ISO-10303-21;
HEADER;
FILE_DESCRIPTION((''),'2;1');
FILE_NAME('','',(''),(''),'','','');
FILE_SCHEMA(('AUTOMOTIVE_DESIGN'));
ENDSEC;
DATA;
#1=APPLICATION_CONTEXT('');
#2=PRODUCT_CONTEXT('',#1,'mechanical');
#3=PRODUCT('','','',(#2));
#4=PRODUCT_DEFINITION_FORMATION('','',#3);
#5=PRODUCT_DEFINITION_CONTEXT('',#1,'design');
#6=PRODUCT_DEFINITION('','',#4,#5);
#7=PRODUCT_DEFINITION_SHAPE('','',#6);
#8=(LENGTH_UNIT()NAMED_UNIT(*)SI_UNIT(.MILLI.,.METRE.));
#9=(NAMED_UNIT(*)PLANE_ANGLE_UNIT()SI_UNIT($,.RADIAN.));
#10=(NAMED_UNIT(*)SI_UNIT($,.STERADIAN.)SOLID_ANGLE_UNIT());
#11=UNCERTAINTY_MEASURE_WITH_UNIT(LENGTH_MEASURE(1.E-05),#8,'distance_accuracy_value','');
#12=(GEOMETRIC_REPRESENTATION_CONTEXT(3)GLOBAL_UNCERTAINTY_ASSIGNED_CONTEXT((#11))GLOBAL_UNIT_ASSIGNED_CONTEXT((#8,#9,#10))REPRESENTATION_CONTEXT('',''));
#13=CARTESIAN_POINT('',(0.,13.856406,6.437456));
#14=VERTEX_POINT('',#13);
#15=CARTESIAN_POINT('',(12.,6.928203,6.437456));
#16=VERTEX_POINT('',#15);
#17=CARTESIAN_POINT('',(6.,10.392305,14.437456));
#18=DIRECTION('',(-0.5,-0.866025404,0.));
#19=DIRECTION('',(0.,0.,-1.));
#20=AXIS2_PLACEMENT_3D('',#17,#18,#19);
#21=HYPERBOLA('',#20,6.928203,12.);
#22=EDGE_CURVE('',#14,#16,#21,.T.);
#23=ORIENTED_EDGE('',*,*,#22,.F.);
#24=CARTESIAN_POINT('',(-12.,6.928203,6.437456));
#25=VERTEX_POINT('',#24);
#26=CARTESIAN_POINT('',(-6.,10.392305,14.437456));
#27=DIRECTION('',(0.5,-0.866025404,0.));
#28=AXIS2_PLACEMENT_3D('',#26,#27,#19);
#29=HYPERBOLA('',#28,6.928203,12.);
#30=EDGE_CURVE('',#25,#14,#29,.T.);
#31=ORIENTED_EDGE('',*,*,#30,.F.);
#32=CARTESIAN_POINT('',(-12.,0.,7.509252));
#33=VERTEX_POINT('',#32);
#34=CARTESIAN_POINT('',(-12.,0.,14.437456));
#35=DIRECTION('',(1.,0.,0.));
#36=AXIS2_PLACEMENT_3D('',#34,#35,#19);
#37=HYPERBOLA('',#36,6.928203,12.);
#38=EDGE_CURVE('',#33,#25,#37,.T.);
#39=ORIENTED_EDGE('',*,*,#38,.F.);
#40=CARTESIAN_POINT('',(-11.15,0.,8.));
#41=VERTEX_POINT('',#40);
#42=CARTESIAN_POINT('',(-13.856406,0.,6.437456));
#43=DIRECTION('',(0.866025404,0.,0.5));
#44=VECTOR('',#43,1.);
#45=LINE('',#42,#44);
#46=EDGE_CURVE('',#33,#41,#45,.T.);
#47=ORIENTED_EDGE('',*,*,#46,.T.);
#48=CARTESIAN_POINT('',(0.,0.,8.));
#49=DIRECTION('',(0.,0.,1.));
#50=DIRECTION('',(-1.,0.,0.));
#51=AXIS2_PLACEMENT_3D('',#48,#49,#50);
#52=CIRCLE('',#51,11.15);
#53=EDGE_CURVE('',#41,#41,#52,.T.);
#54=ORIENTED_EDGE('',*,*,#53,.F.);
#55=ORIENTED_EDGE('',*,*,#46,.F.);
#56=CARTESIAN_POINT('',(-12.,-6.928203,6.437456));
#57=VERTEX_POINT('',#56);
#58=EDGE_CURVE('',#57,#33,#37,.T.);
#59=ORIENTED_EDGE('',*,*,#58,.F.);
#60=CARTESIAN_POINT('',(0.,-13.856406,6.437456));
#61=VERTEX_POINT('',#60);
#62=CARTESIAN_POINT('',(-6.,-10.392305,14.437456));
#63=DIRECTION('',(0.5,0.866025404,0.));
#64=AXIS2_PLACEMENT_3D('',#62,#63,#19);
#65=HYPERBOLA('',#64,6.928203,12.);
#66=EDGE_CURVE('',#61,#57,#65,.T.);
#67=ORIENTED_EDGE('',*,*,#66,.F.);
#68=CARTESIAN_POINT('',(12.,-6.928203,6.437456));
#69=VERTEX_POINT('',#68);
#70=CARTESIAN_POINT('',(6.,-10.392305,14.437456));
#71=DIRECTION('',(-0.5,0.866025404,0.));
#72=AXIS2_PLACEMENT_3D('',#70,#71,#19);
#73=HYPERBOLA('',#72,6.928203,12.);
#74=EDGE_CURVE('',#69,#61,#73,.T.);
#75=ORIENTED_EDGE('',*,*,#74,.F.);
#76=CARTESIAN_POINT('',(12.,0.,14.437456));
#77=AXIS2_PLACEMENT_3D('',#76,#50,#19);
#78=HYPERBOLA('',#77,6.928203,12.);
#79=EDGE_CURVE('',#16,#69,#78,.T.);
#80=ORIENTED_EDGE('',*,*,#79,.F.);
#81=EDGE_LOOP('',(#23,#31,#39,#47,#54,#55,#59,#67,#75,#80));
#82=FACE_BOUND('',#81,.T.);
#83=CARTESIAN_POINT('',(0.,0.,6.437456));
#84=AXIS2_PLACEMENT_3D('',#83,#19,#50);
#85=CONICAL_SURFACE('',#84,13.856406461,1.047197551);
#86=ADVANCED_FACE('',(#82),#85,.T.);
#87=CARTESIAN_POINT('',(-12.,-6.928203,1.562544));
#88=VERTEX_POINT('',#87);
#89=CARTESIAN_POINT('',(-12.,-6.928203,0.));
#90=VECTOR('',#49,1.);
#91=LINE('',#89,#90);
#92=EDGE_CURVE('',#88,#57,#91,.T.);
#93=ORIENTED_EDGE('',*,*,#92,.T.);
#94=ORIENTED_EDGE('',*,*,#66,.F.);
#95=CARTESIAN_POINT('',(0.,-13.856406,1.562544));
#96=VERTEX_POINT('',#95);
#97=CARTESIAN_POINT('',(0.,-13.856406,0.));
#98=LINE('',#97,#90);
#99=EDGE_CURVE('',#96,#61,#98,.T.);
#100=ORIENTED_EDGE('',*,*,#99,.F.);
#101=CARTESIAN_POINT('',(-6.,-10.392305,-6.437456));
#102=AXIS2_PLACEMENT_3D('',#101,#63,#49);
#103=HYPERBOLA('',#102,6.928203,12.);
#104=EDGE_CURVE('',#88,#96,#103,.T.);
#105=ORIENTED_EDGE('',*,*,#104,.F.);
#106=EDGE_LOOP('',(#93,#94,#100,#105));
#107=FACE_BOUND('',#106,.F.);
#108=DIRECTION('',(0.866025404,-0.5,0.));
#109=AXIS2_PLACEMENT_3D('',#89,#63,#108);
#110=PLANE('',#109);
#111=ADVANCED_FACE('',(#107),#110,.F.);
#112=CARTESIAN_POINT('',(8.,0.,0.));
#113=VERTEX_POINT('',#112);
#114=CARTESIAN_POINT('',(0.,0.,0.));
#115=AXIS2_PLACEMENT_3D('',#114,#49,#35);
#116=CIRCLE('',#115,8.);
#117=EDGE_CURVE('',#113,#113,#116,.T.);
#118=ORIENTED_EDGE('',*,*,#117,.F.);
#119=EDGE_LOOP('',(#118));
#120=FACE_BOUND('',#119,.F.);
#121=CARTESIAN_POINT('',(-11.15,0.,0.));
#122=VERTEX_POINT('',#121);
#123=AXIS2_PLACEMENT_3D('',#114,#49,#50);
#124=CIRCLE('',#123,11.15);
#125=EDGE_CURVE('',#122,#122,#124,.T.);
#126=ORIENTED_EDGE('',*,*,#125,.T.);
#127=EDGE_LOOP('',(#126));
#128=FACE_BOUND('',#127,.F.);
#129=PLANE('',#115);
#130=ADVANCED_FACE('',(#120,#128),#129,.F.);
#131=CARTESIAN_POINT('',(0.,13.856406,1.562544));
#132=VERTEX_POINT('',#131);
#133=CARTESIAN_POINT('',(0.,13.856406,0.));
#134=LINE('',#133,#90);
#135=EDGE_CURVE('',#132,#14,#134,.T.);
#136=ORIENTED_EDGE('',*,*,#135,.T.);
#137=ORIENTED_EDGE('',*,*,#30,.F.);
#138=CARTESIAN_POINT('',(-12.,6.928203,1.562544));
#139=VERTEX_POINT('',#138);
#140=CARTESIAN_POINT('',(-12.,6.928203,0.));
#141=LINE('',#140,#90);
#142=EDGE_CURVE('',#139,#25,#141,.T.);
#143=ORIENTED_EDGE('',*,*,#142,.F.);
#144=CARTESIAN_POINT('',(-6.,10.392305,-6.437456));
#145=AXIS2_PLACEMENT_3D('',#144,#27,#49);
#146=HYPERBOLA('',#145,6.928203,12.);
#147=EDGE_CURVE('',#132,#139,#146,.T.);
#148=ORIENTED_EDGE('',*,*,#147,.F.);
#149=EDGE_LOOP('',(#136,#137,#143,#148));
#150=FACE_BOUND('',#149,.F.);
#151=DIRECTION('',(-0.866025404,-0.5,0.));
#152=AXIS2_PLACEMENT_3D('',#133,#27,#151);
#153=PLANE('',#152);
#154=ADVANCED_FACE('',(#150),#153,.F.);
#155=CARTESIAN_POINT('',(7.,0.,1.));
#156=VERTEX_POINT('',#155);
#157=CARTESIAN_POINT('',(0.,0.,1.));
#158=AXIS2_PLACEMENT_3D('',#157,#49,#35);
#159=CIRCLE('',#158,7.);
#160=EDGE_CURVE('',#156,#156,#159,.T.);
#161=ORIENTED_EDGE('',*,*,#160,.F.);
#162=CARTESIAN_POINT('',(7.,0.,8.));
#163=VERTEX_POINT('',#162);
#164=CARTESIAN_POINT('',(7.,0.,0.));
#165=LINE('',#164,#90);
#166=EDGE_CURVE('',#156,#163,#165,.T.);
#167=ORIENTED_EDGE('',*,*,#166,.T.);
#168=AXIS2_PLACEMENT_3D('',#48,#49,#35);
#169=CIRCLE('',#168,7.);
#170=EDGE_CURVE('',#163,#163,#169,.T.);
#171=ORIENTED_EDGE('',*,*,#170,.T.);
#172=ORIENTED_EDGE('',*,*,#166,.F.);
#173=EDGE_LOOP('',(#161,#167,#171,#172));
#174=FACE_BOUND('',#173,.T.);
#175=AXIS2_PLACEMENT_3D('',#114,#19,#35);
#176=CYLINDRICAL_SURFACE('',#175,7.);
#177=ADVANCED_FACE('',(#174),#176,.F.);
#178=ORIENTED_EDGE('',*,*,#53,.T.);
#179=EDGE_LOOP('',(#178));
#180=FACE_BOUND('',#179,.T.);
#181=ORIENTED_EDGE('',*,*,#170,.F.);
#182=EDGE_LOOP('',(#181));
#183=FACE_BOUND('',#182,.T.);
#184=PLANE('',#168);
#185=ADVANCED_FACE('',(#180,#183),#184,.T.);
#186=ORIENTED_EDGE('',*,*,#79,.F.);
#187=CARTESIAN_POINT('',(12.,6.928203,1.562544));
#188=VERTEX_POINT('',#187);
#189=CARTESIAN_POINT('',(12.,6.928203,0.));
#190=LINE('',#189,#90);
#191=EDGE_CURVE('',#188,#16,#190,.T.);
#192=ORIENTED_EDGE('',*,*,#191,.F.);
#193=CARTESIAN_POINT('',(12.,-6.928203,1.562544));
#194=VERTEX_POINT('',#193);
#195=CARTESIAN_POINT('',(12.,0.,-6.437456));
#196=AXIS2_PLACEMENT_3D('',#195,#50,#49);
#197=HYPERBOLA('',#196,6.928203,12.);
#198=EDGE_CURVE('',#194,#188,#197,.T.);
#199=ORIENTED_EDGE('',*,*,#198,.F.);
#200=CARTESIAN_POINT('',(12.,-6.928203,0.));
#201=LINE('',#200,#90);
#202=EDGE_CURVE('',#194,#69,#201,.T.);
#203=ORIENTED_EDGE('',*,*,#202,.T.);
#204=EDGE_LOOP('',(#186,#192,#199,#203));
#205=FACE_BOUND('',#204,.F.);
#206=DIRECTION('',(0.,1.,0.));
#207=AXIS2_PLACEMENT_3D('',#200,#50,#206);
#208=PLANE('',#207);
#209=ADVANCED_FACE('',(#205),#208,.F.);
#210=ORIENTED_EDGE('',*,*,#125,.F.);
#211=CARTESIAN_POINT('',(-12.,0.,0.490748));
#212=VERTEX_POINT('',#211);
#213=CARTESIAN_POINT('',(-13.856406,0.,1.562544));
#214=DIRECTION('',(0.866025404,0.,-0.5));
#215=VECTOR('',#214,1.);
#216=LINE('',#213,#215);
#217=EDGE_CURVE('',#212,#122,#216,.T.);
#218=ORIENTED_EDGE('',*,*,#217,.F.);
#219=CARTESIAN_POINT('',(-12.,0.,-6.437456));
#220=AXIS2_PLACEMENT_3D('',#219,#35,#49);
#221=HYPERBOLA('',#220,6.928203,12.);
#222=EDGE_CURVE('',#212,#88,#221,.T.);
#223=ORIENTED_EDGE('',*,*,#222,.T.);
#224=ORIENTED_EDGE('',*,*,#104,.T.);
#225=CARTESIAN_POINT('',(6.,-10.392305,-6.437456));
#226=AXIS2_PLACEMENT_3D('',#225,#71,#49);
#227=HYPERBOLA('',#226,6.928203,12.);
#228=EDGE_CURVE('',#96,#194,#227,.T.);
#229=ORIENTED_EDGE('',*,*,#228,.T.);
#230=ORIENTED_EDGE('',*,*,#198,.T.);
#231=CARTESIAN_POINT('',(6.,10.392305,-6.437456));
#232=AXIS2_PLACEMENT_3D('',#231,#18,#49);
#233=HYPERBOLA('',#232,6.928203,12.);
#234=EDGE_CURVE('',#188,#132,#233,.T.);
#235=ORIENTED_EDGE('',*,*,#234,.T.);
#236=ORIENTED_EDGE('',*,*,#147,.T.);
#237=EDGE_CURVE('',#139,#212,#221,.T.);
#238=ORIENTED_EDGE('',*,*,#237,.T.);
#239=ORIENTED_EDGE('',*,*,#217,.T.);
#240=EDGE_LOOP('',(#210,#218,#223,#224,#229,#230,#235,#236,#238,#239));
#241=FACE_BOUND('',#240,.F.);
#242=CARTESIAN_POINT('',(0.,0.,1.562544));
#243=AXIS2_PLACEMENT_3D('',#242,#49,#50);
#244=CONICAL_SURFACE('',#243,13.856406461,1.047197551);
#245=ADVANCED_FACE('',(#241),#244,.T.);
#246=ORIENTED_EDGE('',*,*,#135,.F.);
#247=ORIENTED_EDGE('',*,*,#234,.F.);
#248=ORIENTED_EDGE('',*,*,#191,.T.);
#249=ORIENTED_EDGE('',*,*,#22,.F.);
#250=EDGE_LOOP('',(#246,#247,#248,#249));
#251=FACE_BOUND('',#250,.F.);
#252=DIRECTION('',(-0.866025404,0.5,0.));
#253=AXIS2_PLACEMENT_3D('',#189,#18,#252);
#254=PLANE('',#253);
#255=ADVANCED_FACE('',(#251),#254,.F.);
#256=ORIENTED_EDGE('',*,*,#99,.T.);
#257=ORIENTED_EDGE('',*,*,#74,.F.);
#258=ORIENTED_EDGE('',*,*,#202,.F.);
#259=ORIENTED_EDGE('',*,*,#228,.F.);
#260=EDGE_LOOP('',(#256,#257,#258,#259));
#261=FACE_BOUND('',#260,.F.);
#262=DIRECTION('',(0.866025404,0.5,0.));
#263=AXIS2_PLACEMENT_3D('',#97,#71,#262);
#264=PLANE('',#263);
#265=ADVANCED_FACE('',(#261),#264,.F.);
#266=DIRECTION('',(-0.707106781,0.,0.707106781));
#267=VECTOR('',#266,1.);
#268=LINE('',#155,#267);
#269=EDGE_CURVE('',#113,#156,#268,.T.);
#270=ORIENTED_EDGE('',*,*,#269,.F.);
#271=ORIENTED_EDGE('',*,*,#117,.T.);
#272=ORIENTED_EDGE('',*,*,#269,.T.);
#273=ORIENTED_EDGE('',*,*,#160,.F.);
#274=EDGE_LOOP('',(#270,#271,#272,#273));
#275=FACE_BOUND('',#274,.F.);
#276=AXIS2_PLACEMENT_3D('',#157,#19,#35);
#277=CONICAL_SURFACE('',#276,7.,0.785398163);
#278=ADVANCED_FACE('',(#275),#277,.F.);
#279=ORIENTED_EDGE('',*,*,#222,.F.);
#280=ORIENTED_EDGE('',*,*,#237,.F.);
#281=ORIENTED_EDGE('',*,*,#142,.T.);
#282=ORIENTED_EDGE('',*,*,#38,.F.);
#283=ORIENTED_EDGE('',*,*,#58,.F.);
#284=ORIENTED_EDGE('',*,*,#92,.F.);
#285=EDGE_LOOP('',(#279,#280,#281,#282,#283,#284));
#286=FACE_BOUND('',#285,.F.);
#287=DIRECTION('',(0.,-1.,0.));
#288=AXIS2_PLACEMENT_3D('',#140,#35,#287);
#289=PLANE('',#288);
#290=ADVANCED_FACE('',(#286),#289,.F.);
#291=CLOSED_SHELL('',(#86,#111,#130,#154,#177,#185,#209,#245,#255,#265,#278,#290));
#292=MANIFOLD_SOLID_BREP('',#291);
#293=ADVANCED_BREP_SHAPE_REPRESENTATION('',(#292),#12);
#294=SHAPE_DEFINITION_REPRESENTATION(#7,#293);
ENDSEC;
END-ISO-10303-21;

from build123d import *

# Parameters (mm, degrees)
SKETCH_1_R      = 7
EXTRUDE_1_DEPTH = 8
CHAMFER_1_SIZE  = 1


with BuildPart() as part:
    # Эскиз1 → Бобышка-Вытянуть1 (new body)
    with BuildSketch(Plane.XY):
        Polygon((0, 13.856406461), (-12, 6.92820323), (-12, -6.92820323), (0, -13.856406461), (12, -6.92820323), (12, 6.92820323), align=None)
        Circle(SKETCH_1_R, mode=Mode.SUBTRACT)
    extrude(amount=EXTRUDE_1_DEPTH)

    # Эскиз2 → Вырез-Повернуть1 (revolve, cut)
    with BuildSketch(Plane(origin=(0, 0, 0), x_dir=(0, 0, -1), z_dir=(1, 0, 0)), mode=Mode.PRIVATE) as cut_revolve_1_sk:
        Polygon((0, 13.856406461), (-1.562544499, 13.856406461), (0, 11.15), align=None)
        Polygon((-8, 11.15), (-8, 13.856406461), (-6.437455501, 13.856406461), align=None)
    revolve(cut_revolve_1_sk.sketch.rotate(Axis((0, 0, 0), (0, 0, 1)), 90), axis=Axis((0, 0, 0), (0, 0, 1)), mode=Mode.SUBTRACT)

    # Фаска1
    chamfer_1_edges = [part.edges().sort_by_distance(p)[0] for p in [
        (-7, 0, 0),
    ]]
    chamfer(chamfer_1_edges, length=CHAMFER_1_SIZE)


solid = part.part
